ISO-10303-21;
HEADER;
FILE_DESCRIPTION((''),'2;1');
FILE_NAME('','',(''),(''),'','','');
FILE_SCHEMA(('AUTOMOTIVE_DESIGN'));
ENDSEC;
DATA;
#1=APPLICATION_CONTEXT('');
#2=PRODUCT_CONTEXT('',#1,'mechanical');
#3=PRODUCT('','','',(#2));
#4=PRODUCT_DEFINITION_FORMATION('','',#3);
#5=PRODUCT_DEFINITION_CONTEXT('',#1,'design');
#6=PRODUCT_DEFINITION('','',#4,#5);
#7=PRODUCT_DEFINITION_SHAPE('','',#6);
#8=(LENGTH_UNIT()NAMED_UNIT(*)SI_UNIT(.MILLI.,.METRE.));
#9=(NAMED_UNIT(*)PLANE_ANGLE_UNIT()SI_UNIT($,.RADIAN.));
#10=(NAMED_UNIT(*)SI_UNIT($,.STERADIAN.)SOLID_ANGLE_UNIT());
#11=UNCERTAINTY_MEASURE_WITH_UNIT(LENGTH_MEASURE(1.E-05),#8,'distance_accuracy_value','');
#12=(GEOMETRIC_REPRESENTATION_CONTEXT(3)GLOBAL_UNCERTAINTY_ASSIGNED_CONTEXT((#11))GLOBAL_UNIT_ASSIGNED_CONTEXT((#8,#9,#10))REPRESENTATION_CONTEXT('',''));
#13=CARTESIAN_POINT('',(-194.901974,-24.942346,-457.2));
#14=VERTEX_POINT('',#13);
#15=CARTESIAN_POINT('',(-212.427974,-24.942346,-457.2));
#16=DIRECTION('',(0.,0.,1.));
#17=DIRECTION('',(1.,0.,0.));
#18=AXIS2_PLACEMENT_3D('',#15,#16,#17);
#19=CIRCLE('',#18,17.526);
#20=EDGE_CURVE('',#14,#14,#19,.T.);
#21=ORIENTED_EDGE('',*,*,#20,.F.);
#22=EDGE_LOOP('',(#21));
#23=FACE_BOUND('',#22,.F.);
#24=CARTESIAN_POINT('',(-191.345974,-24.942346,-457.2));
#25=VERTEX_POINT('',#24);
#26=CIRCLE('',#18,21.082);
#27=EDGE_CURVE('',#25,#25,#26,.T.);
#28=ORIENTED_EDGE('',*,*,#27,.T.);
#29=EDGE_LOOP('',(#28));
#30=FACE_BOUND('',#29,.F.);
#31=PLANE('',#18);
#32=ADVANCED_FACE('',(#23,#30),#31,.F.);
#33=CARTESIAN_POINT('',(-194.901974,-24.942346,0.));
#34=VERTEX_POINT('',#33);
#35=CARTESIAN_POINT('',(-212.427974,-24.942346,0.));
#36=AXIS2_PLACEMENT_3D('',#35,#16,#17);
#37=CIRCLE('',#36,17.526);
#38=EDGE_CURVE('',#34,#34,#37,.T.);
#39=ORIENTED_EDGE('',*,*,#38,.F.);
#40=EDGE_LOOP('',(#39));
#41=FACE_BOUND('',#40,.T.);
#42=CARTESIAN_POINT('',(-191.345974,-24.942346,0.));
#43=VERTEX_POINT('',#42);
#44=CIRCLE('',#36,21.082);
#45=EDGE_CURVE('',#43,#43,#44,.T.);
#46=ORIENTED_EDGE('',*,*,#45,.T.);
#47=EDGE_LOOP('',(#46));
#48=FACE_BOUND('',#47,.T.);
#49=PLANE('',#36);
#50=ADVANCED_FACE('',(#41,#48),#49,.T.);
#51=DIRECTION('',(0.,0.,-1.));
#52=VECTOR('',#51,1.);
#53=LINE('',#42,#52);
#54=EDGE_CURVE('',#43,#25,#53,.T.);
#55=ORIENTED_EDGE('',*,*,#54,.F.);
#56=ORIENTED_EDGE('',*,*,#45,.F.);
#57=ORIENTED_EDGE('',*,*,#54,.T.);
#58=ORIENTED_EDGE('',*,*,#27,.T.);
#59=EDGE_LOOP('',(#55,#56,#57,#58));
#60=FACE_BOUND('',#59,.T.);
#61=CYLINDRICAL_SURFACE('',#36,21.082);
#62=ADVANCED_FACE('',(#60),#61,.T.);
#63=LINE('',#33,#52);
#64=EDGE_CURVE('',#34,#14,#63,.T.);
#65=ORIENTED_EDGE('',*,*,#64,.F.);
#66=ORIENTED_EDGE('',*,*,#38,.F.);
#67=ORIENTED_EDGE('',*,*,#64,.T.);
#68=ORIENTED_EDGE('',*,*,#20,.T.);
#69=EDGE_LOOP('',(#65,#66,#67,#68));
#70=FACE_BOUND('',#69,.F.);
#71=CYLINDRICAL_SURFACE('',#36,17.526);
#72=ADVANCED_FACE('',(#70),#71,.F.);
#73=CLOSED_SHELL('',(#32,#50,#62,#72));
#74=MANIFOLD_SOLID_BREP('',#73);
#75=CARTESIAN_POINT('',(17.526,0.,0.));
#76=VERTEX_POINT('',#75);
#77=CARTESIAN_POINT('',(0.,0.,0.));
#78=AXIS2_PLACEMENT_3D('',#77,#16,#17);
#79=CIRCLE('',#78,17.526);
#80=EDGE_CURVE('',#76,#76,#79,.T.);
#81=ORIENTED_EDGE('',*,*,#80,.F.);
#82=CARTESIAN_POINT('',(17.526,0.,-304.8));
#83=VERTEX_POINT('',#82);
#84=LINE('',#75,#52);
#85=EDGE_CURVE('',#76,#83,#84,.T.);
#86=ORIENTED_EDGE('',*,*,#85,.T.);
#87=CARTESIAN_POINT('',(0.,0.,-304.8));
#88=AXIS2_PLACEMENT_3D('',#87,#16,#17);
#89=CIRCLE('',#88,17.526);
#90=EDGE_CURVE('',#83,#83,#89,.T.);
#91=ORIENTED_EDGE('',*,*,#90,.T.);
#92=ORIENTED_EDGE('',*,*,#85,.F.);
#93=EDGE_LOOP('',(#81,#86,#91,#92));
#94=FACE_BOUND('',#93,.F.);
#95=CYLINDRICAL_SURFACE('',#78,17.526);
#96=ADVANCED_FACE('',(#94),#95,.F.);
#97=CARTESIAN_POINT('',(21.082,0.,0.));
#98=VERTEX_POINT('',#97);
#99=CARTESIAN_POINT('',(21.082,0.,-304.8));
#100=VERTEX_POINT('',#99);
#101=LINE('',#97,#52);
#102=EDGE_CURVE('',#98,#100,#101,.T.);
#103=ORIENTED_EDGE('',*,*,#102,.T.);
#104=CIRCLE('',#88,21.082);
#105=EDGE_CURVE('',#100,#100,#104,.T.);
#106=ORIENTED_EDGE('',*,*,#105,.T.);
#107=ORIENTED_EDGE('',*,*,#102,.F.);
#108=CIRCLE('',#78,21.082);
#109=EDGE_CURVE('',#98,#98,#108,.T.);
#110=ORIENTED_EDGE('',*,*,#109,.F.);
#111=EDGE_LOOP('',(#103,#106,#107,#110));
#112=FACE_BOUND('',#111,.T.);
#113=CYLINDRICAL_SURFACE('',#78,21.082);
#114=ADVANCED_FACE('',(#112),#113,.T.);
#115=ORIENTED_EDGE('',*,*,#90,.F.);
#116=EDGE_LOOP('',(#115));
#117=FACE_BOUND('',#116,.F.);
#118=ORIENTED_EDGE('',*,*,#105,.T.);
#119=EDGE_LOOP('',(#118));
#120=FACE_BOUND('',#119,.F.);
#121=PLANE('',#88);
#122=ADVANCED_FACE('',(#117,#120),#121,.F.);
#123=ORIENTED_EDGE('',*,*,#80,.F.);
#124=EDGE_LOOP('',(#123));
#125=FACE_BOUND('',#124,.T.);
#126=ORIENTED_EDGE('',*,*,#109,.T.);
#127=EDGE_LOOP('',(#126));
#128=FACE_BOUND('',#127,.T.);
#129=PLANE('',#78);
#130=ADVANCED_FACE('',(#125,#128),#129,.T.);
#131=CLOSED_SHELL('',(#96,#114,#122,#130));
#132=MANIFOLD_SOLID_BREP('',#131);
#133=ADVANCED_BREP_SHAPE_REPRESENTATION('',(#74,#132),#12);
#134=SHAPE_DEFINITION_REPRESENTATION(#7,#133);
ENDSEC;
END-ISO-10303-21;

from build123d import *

# Parameters (mm, degrees)
F0_R     = 21.082
F0_R_2   = 17.526
F1_DEPTH = 304.8
F2_R     = 21.082
F2_R_2   = 17.526
F3_DEPTH = 457.2


with BuildPart() as f1:
    # F0 (on Top) → F1 (new body)
    with BuildSketch(Plane.XY):
        Circle(F0_R)
        Circle(F0_R_2, mode=Mode.SUBTRACT)
    extrude(amount=-F1_DEPTH)


with BuildPart() as f3:
    # F2 (on Top) → F3 (new body)
    with BuildSketch(Plane.XY):
        with Locations((-212.427974, -24.942346)):
            Circle(F2_R)
        with Locations((-212.427974, -24.942346)):
            Circle(F2_R_2, mode=Mode.SUBTRACT)
    extrude(amount=-F3_DEPTH)


solid = Compound([f1.part, f3.part])
